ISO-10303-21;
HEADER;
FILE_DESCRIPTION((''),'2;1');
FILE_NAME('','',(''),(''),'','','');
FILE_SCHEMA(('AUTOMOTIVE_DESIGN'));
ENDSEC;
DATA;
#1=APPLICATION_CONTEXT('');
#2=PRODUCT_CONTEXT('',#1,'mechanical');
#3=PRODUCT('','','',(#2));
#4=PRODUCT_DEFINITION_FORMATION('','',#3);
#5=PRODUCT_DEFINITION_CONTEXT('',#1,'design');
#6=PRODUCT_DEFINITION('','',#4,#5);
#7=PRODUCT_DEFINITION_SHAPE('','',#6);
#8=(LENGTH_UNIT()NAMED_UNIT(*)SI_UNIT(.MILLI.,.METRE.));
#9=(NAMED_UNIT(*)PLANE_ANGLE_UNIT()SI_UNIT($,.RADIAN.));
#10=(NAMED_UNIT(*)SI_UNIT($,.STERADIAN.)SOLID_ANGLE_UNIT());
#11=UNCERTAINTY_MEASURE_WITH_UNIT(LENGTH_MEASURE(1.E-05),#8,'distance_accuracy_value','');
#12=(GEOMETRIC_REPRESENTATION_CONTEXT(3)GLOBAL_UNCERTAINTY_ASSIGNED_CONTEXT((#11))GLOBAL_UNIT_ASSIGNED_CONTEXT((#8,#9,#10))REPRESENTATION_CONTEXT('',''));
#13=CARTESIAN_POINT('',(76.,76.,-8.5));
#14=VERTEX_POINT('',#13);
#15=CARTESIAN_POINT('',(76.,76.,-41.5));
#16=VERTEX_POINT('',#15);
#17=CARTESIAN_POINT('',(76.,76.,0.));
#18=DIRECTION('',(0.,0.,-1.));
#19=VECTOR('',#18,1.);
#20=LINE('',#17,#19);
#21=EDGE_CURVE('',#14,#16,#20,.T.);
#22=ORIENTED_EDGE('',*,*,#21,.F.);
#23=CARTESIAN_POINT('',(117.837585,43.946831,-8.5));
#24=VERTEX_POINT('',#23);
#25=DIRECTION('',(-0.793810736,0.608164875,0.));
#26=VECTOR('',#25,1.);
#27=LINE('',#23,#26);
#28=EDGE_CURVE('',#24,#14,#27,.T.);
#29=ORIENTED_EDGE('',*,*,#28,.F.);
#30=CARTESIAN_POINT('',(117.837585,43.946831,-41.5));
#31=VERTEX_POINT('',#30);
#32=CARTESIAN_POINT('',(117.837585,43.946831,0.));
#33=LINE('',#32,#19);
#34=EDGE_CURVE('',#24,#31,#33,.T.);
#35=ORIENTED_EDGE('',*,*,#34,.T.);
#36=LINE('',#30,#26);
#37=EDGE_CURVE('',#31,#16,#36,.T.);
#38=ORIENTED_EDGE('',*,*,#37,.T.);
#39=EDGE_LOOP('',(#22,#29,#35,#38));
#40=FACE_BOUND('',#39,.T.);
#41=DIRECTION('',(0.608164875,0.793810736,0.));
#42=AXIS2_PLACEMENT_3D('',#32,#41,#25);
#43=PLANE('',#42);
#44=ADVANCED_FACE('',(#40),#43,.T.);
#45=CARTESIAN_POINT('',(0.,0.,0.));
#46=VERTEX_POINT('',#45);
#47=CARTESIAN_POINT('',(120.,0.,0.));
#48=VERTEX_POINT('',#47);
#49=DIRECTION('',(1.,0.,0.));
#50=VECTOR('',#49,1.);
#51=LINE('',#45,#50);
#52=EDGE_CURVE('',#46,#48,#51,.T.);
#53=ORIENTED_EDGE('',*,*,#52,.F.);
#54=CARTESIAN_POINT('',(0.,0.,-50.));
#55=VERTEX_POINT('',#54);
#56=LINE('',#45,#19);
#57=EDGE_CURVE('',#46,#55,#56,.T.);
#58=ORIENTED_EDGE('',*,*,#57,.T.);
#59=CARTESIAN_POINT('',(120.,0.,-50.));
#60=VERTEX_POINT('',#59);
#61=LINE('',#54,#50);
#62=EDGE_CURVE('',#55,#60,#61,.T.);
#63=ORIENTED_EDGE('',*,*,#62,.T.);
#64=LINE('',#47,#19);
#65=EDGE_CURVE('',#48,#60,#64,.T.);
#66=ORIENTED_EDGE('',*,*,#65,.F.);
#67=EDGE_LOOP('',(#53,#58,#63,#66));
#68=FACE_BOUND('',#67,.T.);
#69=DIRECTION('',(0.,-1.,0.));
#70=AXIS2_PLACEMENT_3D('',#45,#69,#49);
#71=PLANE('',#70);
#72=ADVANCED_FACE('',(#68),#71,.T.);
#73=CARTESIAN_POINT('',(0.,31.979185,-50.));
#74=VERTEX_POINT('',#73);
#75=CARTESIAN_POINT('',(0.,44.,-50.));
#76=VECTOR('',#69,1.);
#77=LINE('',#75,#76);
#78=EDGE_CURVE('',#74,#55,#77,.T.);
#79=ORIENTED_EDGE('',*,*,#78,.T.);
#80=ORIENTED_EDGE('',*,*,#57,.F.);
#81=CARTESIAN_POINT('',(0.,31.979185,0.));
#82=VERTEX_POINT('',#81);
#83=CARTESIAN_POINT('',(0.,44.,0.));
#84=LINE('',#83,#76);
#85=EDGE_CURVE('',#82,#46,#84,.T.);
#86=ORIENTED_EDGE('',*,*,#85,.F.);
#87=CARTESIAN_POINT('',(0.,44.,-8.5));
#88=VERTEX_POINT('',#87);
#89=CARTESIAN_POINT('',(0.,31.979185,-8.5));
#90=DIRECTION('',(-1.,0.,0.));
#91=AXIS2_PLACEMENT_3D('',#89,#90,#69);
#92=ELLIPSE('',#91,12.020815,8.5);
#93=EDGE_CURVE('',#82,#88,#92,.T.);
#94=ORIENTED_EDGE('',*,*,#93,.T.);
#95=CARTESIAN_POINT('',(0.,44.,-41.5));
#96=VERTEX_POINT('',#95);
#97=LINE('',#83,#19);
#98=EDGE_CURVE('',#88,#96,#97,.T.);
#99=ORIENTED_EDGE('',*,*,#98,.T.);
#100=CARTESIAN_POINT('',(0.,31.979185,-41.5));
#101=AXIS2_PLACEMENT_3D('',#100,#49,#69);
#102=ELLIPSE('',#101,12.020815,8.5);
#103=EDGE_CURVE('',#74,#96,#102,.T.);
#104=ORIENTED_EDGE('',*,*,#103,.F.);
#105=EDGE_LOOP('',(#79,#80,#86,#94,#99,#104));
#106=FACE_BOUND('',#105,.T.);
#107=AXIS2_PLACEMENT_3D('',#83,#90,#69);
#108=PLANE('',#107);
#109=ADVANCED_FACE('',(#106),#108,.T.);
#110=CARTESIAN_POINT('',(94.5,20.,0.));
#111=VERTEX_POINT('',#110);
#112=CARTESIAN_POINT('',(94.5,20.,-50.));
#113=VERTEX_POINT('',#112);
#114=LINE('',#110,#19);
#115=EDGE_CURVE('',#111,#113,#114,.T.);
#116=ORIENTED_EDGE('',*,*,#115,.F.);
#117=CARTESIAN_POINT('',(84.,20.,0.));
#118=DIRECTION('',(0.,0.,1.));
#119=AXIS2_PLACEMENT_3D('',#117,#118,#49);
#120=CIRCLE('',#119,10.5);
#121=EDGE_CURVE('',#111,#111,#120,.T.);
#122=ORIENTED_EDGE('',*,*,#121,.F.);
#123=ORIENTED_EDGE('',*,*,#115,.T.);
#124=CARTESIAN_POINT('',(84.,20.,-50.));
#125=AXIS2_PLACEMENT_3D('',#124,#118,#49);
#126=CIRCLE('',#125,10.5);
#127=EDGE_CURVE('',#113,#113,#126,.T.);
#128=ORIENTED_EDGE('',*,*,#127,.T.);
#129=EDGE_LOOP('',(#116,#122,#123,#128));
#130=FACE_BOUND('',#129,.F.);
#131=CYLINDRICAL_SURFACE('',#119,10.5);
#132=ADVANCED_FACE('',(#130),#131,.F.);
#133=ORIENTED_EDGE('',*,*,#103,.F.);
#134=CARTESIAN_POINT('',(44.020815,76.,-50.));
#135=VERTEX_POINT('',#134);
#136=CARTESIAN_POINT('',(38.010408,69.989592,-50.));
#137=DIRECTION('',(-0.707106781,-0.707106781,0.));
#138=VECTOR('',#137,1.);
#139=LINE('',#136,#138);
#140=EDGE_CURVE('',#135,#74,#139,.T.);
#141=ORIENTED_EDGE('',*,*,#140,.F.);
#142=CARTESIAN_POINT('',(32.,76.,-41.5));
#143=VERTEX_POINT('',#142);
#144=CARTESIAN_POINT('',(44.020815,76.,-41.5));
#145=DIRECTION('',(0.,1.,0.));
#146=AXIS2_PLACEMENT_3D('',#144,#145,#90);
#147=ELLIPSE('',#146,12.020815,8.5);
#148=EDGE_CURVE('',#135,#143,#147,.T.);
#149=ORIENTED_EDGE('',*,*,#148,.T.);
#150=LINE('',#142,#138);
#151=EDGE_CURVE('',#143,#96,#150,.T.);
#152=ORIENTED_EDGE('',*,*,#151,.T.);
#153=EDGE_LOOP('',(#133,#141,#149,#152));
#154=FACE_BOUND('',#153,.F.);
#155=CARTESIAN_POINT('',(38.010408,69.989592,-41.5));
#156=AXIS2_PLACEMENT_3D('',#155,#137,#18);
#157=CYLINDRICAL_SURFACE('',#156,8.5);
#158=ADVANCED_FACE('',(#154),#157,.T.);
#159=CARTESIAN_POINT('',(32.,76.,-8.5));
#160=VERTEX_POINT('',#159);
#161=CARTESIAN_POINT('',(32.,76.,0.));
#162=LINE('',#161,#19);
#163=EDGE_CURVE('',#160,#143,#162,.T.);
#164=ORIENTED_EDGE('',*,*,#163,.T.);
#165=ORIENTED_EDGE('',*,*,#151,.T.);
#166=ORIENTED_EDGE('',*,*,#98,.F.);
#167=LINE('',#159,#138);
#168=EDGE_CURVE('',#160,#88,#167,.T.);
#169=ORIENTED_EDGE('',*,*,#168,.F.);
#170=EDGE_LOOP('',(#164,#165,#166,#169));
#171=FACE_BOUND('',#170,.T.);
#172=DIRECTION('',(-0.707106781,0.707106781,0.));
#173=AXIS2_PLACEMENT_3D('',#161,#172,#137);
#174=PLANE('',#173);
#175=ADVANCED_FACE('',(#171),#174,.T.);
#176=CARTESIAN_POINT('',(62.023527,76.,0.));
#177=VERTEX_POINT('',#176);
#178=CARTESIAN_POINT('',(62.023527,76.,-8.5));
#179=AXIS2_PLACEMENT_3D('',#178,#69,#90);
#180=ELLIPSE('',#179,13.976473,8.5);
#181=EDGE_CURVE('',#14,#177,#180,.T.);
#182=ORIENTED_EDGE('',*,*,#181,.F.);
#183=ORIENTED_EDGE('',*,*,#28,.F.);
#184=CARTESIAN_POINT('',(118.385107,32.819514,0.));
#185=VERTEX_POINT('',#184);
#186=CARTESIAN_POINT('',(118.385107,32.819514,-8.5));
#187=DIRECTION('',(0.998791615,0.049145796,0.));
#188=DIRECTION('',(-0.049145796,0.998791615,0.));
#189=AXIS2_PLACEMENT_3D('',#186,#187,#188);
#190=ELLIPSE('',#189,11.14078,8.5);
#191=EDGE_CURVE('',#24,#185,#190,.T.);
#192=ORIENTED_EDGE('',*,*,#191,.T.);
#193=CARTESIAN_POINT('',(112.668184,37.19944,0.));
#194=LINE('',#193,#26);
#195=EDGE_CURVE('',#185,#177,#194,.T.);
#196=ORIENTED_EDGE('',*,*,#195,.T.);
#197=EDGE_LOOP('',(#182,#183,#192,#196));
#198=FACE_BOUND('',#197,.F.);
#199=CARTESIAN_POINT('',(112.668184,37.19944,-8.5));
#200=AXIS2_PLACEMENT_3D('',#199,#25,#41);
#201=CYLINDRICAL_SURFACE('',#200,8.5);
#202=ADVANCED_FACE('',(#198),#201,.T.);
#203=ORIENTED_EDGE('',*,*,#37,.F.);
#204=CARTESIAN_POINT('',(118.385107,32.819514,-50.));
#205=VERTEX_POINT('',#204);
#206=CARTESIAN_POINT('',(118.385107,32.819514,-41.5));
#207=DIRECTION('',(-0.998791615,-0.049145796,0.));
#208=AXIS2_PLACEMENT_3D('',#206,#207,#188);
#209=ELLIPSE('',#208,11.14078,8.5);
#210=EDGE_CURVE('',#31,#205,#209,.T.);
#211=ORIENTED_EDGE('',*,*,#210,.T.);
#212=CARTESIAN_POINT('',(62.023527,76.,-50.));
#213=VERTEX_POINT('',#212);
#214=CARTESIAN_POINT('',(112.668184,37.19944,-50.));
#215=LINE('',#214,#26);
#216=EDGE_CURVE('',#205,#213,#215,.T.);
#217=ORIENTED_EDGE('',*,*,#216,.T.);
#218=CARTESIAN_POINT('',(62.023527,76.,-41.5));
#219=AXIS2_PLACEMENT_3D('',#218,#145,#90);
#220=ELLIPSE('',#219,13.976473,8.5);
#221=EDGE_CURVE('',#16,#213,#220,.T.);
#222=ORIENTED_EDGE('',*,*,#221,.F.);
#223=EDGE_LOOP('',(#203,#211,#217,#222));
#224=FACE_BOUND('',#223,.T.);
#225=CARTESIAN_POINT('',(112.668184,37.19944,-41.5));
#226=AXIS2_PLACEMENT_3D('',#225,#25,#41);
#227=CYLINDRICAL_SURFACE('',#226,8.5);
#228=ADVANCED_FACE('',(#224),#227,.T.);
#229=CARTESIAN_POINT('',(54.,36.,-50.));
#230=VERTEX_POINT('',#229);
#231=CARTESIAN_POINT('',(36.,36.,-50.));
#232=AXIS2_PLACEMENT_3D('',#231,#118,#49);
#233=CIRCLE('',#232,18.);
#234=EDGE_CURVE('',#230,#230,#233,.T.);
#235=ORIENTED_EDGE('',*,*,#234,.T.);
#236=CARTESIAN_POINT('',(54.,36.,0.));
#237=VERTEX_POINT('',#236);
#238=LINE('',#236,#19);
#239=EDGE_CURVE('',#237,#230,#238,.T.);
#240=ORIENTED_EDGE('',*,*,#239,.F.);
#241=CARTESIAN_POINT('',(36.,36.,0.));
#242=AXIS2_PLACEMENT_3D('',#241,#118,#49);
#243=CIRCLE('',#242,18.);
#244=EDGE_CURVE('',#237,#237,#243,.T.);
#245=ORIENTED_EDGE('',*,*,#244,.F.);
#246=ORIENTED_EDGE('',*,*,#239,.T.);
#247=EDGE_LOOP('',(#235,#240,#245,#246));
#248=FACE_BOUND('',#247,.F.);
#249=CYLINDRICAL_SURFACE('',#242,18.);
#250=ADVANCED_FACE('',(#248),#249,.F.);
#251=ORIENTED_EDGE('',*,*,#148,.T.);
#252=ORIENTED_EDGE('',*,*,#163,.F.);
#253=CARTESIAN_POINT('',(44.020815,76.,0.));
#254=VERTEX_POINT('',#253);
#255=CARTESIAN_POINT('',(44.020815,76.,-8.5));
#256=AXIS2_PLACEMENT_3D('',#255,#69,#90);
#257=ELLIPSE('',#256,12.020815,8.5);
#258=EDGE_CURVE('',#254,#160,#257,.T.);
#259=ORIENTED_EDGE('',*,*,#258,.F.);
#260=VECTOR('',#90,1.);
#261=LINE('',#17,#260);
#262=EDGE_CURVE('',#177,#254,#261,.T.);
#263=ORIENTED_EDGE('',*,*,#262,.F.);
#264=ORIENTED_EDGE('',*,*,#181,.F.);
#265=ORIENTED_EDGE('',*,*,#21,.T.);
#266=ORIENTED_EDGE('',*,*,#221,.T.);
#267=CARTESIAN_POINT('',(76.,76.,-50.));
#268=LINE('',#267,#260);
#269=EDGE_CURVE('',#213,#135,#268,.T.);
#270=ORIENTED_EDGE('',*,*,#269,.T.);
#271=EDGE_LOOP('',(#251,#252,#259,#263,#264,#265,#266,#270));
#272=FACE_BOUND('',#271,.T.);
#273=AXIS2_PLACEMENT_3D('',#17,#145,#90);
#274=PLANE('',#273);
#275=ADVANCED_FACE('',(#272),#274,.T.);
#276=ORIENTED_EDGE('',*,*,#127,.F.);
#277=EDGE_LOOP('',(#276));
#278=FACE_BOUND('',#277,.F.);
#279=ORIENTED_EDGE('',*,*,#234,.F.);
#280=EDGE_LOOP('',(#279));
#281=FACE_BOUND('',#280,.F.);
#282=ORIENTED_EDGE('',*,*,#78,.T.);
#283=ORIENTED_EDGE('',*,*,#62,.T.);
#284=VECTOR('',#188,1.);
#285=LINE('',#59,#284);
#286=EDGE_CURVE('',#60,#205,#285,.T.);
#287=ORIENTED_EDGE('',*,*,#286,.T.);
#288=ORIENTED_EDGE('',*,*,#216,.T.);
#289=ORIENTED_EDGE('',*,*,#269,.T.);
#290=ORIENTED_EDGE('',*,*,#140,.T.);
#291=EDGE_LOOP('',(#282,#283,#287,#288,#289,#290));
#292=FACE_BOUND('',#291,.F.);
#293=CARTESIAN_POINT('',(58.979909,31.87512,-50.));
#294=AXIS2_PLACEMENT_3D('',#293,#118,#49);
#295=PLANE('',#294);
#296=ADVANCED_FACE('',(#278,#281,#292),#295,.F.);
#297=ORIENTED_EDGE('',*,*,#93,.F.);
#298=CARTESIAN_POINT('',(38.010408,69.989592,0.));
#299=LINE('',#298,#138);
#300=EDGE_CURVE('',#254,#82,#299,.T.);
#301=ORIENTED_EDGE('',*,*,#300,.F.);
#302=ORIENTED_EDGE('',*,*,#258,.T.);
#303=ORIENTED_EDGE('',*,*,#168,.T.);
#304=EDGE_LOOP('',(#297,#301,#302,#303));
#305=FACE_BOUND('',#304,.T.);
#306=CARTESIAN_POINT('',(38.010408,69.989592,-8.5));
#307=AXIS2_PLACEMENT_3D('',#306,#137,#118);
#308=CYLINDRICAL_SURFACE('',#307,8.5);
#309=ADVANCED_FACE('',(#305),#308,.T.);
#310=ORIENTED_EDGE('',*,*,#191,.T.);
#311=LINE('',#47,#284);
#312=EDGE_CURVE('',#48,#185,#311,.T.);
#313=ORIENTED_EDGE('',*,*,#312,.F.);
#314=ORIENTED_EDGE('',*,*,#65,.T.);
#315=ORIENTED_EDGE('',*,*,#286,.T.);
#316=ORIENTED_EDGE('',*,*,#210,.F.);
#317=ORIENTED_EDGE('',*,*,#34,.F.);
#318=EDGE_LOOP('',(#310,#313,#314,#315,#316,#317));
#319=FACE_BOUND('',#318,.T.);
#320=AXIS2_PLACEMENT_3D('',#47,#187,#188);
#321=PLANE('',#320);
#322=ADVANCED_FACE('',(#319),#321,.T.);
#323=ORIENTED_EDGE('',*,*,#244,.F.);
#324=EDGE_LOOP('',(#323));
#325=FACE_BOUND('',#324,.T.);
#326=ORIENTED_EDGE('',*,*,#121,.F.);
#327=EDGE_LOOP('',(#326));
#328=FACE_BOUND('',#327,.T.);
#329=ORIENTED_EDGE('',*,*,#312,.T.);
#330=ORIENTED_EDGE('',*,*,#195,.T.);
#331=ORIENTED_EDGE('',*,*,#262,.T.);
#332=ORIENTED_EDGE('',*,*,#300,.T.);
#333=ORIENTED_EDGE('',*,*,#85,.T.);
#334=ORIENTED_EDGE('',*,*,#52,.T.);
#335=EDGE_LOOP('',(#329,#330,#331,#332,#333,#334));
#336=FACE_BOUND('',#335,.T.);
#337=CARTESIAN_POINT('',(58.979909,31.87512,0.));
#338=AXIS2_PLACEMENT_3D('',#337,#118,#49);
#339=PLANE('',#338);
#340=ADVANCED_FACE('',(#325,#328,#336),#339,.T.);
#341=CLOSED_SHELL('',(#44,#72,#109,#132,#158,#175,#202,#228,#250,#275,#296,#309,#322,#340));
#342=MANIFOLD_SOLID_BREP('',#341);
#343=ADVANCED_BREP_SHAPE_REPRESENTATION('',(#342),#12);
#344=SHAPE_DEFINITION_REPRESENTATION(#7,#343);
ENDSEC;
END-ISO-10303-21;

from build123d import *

# Parameters (mm, degrees)
F0_R     = 18
F0_R_2   = 10.5
F1_DEPTH = 50
F2_R     = 8.5
F3_R     = 8.5


with BuildPart() as f1:
    # F0 (on Top) → F1 (new body)
    with BuildSketch(Plane.XY):
        Polygon((0, 44), (0, 0), (120, 0), (117.837585, 43.946831), (76, 76), (32, 76), align=None)
        with Locations((36, 36)):
            Circle(F0_R, mode=Mode.SUBTRACT)
        with Locations((84, 20)):
            Circle(F0_R_2, mode=Mode.SUBTRACT)
    extrude(amount=-F1_DEPTH)

    # F2
    f2_edges = [f1.edges().sort_by_distance(p)[0] for p in [
        (96.918792, 59.973416, 0),
        (96.918792, 59.973416, -50),
    ]]
    fillet(f2_edges, radius=F2_R)

    # F3
    f3_edges = [f1.edges().sort_by_distance(p)[0] for p in [
        (16, 60, 0),
        (16, 60, -50),
    ]]
    fillet(f3_edges, radius=F3_R)


solid = f1.part
